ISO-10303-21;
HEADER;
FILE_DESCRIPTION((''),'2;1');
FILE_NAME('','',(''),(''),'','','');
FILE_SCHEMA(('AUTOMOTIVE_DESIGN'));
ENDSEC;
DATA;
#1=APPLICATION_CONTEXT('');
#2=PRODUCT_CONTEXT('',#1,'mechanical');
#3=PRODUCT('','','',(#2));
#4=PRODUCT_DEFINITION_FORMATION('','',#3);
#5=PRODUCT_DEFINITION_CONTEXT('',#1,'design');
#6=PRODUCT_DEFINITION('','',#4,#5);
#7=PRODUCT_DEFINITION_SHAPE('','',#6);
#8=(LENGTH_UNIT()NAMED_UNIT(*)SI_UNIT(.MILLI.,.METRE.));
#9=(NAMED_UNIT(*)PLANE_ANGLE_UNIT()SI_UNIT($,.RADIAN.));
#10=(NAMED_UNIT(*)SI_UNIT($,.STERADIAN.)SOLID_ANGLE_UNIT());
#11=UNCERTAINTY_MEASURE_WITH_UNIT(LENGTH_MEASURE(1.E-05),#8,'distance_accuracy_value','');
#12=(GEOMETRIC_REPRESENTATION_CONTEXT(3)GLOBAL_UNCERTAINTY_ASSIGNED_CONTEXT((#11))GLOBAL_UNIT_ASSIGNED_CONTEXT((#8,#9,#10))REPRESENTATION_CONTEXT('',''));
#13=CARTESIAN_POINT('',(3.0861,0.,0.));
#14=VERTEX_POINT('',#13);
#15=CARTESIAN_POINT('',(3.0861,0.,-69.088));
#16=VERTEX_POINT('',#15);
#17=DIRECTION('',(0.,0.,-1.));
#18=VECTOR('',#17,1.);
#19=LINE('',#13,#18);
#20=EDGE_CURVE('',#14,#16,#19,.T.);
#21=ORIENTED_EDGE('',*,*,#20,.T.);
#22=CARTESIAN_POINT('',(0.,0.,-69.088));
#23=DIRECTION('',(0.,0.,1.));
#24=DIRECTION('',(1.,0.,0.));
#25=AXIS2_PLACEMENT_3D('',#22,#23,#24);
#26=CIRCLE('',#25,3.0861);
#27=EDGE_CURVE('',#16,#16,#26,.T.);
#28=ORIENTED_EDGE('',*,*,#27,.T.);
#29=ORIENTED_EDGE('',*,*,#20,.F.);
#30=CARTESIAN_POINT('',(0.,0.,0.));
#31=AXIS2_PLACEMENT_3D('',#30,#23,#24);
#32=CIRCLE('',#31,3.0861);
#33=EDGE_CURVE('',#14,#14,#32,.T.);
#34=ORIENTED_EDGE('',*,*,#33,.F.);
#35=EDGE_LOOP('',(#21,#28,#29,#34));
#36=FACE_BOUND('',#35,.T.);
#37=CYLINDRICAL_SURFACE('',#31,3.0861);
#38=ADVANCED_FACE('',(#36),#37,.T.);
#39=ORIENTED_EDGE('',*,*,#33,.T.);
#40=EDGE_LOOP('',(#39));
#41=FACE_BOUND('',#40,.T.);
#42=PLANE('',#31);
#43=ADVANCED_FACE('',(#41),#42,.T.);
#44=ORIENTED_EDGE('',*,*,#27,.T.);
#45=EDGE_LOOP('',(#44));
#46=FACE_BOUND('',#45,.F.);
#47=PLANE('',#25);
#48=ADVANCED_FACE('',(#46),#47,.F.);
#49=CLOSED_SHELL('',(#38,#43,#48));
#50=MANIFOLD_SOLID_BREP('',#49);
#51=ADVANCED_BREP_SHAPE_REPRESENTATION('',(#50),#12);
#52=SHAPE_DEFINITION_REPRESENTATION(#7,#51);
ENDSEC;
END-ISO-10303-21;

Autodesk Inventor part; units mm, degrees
ref_plane "YZ Plane" through (0, 0, 0) normal (1, 0, 0) x (0, 1, 0)
ref_plane "XZ Plane" through (0, 0, 0) normal (0, 1, 0) x (-1, 0, 0)
ref_plane "XY Plane" through (0, 0, 0) normal (0, 0, 1) x (1, 0, 0)
ref_plane "Work Plane1" through (0, 0, 0) normal (0, 0, 1) x (1, 0, 0)
sketch "Sketch1" plane through (0, 0, 0) normal (0, 0, 1) x (1, 0, 0)
  circle A0 centre (0, 0) radius 3.0861
  point P0 (0, 0)
  dimension "d2" = 6.1722
extrude "Extrusion1" add sketch "Sketch1" against normal blind 69.088
properties part number "stepperMotorAxel" material "Steel, Alloy"
